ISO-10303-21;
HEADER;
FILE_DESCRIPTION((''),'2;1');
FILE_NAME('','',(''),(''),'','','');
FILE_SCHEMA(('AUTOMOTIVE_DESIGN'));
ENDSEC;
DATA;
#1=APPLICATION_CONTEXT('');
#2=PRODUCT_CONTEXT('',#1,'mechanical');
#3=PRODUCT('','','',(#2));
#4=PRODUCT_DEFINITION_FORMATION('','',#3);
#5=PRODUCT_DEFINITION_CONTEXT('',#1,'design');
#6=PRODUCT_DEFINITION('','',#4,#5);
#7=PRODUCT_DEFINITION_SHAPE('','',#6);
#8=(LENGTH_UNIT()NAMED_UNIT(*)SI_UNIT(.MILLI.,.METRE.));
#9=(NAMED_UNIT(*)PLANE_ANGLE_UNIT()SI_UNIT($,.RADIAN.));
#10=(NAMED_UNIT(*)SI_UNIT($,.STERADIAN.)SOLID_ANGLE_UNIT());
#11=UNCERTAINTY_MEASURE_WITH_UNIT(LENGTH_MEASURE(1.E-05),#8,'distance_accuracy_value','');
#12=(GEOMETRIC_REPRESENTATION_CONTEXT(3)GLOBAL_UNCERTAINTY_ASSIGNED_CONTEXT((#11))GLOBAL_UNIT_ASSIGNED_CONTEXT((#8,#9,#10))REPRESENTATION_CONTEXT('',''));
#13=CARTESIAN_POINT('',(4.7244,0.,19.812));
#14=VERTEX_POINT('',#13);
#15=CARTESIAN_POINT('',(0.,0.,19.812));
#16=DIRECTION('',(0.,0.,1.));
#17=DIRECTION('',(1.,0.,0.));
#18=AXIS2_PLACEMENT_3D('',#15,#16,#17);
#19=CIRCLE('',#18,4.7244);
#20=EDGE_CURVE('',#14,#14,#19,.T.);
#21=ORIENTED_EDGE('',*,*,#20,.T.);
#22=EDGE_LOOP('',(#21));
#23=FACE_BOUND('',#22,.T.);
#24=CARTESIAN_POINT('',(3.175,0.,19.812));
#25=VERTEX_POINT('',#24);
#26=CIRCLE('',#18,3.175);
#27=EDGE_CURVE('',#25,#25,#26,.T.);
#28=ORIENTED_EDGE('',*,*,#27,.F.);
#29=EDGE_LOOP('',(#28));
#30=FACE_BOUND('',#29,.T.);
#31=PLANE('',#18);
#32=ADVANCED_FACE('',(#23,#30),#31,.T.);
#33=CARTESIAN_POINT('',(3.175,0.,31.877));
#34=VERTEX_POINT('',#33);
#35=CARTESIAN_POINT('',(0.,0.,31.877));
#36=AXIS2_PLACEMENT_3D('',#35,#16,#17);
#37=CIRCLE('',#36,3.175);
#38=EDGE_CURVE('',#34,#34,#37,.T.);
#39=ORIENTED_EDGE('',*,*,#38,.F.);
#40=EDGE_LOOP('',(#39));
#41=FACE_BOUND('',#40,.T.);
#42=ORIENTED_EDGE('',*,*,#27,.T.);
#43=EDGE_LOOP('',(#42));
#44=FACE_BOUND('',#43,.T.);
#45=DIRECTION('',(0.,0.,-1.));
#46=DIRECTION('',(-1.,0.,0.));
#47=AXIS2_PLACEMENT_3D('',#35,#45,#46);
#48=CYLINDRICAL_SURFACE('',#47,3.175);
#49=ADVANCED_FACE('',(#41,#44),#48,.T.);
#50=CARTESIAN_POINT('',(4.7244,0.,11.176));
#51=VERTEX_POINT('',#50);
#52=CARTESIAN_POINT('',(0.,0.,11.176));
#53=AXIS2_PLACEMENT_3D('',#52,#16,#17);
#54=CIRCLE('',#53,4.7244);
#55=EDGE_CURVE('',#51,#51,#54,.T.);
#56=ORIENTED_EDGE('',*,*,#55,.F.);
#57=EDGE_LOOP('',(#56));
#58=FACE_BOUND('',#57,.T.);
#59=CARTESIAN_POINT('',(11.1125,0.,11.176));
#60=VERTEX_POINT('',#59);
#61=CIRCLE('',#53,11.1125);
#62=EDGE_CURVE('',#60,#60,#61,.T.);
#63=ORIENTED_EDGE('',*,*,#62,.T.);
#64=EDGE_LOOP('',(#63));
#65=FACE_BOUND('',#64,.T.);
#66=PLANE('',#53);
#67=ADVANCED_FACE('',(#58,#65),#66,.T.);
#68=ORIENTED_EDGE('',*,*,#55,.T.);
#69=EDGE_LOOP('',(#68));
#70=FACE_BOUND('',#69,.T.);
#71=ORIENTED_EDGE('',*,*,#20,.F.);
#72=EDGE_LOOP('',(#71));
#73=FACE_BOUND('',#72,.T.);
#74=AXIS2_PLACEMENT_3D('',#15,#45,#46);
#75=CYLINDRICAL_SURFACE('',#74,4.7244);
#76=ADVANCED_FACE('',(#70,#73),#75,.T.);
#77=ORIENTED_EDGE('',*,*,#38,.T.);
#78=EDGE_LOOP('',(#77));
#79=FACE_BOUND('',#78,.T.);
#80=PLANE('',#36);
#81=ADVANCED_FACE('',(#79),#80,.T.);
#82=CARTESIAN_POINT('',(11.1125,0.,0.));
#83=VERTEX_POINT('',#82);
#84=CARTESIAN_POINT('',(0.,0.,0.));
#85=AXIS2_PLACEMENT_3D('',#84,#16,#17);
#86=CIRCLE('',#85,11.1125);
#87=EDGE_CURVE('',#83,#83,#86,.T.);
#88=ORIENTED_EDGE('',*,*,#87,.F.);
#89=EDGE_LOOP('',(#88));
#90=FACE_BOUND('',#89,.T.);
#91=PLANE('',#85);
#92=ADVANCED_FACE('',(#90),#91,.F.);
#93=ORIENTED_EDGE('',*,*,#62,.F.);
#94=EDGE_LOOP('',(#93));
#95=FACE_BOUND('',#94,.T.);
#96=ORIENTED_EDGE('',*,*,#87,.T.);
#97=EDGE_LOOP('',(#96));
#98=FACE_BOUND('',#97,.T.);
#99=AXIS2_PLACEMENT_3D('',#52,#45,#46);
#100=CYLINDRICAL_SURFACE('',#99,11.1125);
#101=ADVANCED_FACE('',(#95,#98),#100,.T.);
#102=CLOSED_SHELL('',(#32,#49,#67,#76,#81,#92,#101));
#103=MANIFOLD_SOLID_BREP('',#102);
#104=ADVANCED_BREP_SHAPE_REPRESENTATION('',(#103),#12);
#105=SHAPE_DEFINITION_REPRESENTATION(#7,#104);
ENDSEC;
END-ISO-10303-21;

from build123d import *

# Parameters (mm, degrees)
SKETCH1_R           = 11.1125
BOSS_EXTRUDE1_DEPTH = 11.176
SKETCH2_R           = 4.7244
BOSS_EXTRUDE2_DEPTH = 8.636
SKETCH3_R           = 3.175
BOSS_EXTRUDE3_DEPTH = 12.065


with BuildPart() as part:
    # Sketch1 → Boss-Extrude1 (new body)
    with BuildSketch(Plane.XY):
        Circle(SKETCH1_R)
    extrude(amount=BOSS_EXTRUDE1_DEPTH)

    # Sketch2 → Boss-Extrude2 (add)
    with BuildSketch(Plane.XY.offset(11.176)):
        Circle(SKETCH2_R)
    extrude(amount=BOSS_EXTRUDE2_DEPTH)

    # Sketch3 → Boss-Extrude3 (add)
    with BuildSketch(Plane.XY.offset(19.812)):
        Circle(SKETCH3_R)
    extrude(amount=BOSS_EXTRUDE3_DEPTH)


solid = part.part
